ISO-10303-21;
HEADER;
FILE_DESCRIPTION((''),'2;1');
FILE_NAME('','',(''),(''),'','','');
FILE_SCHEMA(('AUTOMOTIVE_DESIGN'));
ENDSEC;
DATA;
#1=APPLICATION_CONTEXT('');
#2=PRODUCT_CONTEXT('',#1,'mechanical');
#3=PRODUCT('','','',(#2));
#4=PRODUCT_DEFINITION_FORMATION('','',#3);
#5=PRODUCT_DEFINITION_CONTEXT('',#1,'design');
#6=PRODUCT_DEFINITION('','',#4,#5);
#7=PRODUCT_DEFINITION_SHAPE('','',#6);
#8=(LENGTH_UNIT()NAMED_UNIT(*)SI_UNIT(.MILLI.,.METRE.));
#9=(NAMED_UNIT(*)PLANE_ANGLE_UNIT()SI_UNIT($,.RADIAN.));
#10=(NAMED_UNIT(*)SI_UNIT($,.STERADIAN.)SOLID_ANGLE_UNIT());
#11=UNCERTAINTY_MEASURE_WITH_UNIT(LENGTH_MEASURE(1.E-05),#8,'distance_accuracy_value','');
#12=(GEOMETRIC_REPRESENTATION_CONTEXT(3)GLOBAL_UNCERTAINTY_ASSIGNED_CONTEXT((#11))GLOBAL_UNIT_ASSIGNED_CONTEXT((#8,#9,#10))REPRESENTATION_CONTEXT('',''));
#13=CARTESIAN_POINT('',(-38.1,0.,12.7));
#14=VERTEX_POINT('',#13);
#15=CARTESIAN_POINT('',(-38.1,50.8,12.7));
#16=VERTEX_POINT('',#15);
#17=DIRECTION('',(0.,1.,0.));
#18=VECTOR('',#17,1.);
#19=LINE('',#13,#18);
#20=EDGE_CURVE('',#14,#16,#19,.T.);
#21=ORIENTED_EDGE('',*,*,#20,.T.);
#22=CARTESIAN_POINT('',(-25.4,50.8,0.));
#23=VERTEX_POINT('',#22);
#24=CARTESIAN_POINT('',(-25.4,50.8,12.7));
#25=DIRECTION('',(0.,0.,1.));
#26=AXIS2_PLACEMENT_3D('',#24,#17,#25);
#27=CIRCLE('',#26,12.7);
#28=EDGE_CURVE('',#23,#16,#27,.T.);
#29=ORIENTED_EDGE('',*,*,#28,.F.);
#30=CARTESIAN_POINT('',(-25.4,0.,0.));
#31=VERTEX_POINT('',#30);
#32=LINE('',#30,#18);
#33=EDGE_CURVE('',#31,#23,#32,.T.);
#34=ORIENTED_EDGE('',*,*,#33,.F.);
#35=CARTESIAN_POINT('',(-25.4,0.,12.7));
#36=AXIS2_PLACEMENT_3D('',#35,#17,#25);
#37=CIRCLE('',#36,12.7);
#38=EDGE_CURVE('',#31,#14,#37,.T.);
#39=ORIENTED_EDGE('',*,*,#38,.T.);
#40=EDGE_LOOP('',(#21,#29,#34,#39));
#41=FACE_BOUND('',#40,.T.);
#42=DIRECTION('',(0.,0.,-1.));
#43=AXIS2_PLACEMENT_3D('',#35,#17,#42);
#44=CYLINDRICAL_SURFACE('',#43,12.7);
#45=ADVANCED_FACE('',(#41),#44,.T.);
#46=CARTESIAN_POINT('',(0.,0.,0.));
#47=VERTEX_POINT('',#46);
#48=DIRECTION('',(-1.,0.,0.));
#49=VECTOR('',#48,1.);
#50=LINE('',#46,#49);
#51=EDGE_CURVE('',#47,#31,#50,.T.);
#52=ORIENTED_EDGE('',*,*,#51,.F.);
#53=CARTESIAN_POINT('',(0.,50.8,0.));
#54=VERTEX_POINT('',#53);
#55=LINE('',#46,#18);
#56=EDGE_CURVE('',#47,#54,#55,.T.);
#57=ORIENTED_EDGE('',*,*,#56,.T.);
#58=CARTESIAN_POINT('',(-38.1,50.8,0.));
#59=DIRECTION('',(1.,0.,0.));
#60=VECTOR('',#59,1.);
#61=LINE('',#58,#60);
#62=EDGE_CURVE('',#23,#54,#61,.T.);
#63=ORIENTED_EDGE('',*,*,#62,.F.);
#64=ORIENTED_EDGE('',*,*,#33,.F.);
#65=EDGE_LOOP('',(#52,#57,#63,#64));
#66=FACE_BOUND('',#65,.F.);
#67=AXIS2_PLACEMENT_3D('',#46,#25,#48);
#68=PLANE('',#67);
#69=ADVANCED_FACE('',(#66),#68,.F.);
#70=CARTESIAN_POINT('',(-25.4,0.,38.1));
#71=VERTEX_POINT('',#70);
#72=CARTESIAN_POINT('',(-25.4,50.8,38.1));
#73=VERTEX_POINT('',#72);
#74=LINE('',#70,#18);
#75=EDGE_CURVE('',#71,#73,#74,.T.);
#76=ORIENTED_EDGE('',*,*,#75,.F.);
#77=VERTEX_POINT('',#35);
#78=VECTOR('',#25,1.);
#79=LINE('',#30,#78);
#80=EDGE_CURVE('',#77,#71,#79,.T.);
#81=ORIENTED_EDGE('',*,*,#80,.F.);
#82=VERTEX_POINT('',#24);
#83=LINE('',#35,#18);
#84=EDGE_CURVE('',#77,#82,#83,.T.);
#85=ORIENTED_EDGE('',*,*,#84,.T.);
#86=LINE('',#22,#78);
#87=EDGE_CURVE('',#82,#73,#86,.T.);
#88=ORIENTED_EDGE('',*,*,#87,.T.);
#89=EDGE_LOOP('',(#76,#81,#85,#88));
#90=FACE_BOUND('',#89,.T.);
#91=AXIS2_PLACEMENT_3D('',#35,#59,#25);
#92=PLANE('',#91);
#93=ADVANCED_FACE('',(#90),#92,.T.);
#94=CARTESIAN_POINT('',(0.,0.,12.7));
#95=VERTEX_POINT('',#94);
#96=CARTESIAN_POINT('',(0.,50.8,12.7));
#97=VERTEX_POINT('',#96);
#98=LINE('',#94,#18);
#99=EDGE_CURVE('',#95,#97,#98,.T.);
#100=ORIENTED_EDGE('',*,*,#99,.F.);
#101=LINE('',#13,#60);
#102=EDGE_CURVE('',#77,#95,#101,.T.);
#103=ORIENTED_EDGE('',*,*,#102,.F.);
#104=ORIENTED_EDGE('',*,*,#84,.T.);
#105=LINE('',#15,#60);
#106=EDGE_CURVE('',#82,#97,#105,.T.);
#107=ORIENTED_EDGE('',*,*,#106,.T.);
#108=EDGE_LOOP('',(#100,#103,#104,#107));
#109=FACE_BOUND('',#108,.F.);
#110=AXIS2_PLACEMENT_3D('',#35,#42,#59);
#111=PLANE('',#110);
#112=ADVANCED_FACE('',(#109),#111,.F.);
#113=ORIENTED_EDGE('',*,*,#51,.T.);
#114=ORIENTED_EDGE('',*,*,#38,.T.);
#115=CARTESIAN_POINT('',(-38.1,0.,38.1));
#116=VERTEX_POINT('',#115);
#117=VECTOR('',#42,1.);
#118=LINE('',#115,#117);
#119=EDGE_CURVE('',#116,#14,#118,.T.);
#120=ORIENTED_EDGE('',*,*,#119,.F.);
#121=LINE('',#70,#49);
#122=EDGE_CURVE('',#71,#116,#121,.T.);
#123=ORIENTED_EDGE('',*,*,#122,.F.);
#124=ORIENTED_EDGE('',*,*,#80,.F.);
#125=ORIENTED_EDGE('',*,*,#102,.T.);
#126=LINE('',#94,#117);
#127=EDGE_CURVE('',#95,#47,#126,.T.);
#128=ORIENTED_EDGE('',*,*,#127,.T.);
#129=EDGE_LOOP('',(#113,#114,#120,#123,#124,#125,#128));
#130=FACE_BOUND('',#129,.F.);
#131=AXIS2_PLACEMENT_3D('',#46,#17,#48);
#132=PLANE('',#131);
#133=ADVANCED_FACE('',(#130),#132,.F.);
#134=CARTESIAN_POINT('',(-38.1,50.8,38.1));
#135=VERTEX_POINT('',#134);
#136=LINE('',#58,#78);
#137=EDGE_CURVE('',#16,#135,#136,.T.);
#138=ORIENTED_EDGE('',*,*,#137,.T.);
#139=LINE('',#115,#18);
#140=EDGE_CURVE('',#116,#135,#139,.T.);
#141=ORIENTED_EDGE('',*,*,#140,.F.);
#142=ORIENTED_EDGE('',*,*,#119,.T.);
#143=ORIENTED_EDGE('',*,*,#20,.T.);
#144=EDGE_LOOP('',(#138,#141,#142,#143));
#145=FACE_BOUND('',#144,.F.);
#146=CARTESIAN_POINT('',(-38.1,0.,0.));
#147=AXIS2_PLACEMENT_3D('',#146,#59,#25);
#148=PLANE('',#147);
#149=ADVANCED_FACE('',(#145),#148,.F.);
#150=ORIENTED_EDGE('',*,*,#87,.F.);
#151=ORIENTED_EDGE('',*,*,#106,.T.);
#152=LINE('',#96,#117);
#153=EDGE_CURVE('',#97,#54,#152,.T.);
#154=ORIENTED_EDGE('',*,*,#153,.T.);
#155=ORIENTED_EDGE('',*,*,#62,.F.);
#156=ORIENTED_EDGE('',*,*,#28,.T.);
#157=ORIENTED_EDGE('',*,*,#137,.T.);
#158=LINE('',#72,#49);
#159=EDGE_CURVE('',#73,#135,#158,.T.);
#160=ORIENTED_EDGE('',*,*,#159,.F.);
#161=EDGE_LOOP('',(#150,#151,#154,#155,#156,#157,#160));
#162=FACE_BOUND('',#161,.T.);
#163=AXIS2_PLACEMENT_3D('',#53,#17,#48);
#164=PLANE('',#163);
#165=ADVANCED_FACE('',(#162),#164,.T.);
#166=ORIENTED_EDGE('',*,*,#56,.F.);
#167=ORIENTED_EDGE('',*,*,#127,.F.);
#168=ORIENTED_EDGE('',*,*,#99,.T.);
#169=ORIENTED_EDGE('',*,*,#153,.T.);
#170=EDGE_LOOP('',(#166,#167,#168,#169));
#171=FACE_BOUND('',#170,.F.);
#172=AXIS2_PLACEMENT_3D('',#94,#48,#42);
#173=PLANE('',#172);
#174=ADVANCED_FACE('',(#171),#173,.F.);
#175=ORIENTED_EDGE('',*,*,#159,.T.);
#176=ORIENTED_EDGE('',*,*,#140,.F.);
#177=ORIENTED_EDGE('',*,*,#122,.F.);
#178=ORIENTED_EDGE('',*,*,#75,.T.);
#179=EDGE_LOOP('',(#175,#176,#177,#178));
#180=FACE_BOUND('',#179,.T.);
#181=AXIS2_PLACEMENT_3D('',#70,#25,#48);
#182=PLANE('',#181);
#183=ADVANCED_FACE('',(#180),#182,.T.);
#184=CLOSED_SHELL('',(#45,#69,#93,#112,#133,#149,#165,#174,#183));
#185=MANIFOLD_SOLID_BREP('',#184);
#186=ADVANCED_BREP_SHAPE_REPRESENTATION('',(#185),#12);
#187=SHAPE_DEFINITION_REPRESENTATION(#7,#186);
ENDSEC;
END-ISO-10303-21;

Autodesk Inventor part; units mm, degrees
ref_plane "YZ Plane" through (0, 0, 0) normal (1, 0, 0) x (0, 1, 0)
ref_plane "XZ Plane" through (0, 0, 0) normal (0, 1, 0) x (-1, 0, 0)
ref_plane "XY Plane" through (0, 0, 0) normal (0, 0, 1) x (1, 0, 0)
sketch "Sketch1" plane through (0, 0, 0) normal (0, 1, 0) x (-1, 0, 0)
  line L0 (0, 0) -> (38.1, 0)
  line L1 (38.1, 0) -> (38.1, 12.7)
  line L2 (38.1, 12.7) -> (0, 12.7)
  line L3 (0, 12.7) -> (0, 0)
  line L4 (38.1, 0) -> (25.4, 0)
  line L5 (25.4, 0) -> (25.4, 38.1)
  line L6 (25.4, 38.1) -> (38.1, 38.1)
  line L7 (38.1, 38.1) -> (38.1, 0)
  dimension "d0" = 38.1
  dimension "d1" = 12.7
  dimension "d2" = 38.1
  dimension "d3" = 12.7
extrude "Extrusion1" add sketch "Sketch1" along normal blind 50.8
fillet "Fillet1" radius 12.7 1 edges at (-38.1, 25.4, 0)
equation "\"d3\" = d1"
properties part number "doorstop" material "PC/ABS Plastic"
